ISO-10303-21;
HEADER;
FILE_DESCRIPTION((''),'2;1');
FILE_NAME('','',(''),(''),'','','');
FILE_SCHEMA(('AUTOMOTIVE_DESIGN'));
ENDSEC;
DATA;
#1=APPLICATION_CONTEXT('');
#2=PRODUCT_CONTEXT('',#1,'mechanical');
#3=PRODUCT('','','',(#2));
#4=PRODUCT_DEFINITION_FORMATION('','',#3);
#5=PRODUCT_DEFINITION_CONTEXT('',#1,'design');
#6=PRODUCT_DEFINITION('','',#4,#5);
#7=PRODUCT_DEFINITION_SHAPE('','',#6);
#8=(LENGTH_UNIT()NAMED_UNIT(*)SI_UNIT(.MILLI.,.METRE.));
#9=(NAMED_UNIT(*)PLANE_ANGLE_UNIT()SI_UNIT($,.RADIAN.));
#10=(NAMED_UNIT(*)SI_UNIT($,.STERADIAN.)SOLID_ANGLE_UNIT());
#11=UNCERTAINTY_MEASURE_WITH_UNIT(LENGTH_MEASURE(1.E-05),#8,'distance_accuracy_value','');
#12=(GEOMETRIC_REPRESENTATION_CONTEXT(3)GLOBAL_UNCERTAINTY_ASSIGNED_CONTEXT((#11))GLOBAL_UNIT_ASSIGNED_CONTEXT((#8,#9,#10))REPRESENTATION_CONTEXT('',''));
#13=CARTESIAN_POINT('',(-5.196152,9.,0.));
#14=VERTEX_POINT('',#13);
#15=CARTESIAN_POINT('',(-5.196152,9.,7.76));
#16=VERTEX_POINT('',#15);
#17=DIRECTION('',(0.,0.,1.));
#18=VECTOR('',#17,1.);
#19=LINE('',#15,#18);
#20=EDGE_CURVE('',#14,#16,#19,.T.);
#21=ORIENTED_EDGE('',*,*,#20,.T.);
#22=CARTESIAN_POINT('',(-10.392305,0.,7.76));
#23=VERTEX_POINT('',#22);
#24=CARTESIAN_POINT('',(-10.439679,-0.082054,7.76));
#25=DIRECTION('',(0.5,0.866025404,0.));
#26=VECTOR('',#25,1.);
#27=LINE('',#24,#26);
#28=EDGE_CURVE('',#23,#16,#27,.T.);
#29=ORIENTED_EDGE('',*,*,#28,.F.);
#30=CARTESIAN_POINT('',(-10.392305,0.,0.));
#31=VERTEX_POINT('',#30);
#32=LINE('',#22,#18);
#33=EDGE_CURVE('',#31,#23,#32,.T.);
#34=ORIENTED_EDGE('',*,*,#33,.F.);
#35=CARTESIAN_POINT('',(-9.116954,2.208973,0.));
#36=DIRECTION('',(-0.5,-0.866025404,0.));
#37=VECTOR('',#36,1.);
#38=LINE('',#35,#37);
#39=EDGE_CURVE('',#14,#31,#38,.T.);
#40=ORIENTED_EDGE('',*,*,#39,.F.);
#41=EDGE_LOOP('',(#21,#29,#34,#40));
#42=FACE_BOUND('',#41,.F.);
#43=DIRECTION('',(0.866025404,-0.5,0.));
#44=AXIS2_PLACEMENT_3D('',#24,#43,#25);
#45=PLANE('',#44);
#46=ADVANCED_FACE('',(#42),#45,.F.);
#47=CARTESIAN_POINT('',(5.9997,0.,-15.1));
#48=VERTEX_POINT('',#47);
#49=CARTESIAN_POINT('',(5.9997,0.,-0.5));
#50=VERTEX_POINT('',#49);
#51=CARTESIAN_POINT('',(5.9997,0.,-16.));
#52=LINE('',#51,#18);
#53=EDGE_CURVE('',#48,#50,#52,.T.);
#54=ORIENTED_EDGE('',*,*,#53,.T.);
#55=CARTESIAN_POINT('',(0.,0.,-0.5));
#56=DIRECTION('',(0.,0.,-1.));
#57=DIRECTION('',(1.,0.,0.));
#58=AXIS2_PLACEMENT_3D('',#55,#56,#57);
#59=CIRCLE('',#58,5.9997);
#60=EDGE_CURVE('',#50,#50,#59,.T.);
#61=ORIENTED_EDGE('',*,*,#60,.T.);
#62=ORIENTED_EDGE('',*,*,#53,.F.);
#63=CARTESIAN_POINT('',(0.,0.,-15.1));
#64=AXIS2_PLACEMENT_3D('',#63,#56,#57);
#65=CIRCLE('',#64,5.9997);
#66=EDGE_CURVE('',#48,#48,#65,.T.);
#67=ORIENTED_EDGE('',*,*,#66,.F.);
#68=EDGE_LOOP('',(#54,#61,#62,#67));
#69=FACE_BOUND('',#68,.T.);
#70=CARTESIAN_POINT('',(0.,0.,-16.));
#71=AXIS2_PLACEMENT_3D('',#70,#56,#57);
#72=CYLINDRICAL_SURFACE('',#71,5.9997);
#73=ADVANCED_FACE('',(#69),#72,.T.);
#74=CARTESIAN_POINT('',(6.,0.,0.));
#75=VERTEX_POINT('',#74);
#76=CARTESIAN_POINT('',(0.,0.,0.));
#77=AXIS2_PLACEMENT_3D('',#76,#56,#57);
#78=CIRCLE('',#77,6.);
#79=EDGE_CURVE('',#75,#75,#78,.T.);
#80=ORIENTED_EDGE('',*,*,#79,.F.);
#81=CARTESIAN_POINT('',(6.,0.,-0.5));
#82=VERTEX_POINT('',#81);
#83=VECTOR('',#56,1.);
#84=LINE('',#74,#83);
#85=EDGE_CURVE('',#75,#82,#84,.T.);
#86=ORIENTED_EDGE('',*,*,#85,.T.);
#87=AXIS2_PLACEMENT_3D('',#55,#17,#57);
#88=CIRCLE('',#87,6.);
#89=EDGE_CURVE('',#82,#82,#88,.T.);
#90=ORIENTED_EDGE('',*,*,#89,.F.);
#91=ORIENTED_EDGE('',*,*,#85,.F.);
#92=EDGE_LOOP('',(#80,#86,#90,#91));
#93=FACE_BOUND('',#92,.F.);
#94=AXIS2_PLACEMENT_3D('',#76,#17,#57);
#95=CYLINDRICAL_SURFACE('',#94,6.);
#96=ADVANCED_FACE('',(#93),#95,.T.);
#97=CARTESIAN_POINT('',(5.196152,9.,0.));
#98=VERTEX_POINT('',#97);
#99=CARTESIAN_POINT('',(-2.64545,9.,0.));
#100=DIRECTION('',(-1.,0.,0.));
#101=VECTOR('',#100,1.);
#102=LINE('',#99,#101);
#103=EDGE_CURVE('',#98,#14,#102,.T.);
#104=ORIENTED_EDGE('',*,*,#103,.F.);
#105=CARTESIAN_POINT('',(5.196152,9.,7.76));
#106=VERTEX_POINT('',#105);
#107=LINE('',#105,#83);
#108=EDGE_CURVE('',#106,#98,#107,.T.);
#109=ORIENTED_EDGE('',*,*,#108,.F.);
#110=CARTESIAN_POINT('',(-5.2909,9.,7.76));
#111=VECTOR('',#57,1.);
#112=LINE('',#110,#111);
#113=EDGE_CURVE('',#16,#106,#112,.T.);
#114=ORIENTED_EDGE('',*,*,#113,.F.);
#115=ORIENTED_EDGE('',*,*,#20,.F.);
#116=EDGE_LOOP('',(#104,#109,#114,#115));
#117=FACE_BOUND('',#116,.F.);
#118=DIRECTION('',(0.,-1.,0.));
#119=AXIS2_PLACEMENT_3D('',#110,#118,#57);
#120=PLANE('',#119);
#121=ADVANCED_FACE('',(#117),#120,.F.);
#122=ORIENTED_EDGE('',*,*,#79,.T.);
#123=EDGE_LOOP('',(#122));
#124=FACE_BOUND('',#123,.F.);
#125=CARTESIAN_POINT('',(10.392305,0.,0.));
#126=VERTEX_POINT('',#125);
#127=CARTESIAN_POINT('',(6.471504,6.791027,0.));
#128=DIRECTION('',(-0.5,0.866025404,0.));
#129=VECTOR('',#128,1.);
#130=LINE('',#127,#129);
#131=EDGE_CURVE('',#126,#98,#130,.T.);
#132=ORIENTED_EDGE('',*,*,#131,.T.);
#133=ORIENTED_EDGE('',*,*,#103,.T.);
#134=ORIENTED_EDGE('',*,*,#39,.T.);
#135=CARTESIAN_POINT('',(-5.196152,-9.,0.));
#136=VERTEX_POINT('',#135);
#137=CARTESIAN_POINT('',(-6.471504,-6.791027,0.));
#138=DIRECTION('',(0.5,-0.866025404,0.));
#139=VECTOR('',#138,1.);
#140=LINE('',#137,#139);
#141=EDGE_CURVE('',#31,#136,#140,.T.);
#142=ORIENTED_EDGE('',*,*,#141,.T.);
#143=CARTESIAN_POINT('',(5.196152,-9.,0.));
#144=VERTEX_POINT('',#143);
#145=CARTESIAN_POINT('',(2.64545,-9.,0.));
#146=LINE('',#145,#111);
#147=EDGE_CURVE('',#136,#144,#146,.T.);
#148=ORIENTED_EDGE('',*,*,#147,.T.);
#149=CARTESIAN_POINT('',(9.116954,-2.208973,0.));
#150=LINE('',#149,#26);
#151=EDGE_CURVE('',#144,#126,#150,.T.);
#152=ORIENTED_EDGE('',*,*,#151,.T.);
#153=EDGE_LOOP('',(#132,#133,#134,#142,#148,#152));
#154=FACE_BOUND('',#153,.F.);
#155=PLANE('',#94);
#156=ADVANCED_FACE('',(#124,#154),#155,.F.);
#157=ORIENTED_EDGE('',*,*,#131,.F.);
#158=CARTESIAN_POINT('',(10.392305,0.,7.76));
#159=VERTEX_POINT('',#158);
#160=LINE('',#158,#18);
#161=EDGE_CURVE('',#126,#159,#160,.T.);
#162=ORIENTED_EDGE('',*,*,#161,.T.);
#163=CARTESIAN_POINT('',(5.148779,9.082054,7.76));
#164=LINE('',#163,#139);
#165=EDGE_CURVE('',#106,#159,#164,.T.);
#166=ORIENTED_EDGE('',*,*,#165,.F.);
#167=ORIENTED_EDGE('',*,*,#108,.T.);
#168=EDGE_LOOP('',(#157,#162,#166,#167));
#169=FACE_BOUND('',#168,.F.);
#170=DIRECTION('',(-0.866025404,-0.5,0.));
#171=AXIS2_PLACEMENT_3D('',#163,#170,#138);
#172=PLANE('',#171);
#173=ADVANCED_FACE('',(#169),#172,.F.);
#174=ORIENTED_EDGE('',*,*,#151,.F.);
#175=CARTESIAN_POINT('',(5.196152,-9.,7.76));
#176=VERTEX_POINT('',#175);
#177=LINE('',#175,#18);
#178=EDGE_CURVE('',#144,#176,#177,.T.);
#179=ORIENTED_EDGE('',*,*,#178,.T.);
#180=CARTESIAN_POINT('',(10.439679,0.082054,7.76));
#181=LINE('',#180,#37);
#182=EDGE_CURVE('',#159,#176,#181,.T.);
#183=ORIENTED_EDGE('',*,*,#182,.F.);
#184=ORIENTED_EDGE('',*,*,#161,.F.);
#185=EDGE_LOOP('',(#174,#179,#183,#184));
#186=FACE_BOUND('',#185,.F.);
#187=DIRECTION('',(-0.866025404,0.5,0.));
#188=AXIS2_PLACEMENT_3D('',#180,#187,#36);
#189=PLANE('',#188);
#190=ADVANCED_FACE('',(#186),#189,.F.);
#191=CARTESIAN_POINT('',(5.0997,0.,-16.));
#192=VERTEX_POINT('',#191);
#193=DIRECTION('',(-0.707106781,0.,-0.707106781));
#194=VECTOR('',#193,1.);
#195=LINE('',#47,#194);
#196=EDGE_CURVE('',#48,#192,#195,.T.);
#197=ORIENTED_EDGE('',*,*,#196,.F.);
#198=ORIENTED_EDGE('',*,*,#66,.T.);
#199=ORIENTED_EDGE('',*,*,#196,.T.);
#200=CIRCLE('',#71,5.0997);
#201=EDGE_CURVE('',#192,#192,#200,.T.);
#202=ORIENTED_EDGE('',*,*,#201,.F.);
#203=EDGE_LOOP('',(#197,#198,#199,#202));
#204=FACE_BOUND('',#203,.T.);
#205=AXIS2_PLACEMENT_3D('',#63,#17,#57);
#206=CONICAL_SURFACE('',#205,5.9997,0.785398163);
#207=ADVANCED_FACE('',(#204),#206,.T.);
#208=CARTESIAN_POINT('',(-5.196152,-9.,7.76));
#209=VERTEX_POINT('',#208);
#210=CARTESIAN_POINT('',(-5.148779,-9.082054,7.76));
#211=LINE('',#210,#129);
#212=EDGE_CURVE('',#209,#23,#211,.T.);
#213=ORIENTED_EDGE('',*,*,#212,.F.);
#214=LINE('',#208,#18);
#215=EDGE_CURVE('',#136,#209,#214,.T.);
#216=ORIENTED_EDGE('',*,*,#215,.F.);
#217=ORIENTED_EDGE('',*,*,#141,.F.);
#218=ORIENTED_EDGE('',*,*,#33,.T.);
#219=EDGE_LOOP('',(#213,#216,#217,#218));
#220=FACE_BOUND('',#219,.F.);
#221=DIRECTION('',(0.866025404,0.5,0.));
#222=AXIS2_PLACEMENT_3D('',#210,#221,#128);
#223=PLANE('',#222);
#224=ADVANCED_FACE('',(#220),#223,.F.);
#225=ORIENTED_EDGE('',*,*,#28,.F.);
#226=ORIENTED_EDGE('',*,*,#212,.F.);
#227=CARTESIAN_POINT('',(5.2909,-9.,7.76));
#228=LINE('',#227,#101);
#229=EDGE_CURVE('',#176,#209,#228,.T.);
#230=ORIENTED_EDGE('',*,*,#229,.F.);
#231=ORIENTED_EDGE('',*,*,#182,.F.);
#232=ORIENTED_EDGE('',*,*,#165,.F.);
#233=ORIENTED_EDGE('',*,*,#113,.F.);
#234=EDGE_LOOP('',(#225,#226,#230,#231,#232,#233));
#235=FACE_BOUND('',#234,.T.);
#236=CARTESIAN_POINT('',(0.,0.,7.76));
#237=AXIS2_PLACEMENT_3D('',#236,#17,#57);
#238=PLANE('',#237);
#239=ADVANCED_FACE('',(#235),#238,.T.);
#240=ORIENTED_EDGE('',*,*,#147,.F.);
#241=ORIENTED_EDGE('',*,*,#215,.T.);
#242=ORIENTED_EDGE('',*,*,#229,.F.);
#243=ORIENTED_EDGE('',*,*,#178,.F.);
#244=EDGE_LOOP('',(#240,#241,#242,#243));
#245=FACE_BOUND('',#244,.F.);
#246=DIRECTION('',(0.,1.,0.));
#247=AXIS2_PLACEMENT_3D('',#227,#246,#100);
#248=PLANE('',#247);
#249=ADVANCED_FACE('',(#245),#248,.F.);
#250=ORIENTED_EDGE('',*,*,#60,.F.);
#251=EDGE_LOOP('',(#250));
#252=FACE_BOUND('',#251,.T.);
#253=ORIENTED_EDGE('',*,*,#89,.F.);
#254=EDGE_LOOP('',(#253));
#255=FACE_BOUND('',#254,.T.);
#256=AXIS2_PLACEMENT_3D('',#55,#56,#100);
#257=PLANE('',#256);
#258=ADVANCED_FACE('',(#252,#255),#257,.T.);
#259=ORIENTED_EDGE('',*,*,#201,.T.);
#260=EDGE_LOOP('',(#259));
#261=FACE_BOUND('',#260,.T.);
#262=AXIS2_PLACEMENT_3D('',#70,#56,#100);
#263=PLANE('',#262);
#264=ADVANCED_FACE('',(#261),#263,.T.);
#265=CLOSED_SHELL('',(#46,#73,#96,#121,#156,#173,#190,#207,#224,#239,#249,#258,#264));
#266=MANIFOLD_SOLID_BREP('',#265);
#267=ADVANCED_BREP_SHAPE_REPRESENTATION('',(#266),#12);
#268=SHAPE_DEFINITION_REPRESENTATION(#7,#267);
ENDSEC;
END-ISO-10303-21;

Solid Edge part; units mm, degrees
sketch "Sketch1" plane through (0, 0, 0) normal (0, 0, 1) x (1, 0, 0)
  circle A0 centre (0, 0) radius 10.44
  dimension "D1" = 20.88
extrude "Protrusion1" add sketch "Sketch1" along normal blind 7.76
sketch "Sketch2" plane through (0, 0, 0) normal (0, 0, -1) x (1, 0, 0)
  circle A0 centre (0, 0) radius 6
extrude "Protrusion2" add sketch "Sketch2" along normal blind 16
sketch "Sketch3" plane through (0, 0, -16) normal (0, 0, -1) x (1, 0, 0)
  circle A0 centre (0, 0) radius 5.9997
extrude "Cutout1" cut sketch "Sketch3" against normal blind 15.5 flip side to cut
chamfer "Chamfer_1" distance 0.9 angle 45 1 edges at (-5.9997, 0, -16)
sketch "Sketch4" plane through (0, 0, 7.76) normal (0, 0, 1) x (1, 0, 0)
  line L0 (-5.2909, 9) -> (5.2909, 9)
  dimension "D1" = 18
extrude "Cutout2" cut sketch "Sketch4" against normal up to next material side at (0, 9.05, 7.76)
pattern_circular "Pattern1" count 6 over 360 about axis through (0, 0, 7.76) along (0, 0, 1) of "Cutout2"
properties part number "24106029"
